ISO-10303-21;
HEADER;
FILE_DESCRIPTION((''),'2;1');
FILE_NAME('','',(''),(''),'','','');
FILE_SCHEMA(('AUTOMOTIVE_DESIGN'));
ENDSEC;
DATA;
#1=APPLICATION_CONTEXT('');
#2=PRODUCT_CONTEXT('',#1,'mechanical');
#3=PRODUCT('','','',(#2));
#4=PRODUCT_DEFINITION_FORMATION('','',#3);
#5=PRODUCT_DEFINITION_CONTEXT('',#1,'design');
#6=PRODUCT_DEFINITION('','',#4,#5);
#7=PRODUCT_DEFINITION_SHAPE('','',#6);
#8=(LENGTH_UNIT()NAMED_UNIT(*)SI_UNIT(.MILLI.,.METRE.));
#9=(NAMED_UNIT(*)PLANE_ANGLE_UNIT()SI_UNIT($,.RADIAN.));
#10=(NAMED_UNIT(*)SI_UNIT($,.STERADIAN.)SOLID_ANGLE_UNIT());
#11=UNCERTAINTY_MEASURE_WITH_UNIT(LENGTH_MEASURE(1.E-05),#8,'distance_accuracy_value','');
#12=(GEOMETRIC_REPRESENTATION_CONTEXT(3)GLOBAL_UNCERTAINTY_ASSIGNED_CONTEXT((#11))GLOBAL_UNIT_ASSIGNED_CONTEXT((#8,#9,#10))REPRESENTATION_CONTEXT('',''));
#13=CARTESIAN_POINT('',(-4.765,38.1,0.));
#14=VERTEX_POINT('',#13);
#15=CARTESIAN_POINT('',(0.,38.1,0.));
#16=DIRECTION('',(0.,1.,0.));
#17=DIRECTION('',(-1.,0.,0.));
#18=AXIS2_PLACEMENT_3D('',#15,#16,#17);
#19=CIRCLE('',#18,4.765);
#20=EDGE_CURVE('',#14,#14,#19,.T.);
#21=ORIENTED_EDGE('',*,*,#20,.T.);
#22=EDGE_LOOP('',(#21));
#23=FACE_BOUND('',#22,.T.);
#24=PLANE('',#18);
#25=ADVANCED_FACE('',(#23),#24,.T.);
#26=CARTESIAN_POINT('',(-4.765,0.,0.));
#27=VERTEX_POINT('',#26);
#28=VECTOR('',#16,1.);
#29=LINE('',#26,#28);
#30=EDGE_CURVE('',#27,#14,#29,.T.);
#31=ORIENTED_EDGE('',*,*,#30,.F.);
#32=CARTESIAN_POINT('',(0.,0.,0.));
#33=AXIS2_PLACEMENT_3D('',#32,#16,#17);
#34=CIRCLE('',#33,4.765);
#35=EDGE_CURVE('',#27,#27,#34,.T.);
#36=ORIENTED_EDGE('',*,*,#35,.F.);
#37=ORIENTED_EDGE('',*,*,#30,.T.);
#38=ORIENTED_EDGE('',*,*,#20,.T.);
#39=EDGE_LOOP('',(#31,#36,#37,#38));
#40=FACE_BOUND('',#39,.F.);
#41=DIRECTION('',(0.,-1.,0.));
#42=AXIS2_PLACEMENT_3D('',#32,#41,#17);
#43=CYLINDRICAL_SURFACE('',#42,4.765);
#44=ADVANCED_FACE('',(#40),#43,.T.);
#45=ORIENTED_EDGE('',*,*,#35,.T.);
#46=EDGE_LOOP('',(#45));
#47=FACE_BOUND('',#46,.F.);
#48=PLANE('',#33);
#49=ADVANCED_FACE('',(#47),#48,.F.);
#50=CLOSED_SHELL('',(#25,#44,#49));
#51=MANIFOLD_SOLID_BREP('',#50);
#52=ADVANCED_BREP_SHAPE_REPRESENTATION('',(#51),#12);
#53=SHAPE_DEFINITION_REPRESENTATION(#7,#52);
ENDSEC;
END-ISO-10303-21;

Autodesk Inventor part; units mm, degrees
ref_plane "YZ Plane" through (0, 0, 0) normal (1, 0, 0) x (0, 1, 0)
ref_plane "XZ Plane" through (0, 0, 0) normal (0, 1, 0) x (-1, 0, 0)
ref_plane "XY Plane" through (0, 0, 0) normal (0, 0, 1) x (1, 0, 0)
sketch "Esboço1" plane through (0, 0, 0) normal (0, 1, 0) x (-1, 0, 0)
  circle A0 centre (0, 0) radius 4.765
  dimension "d10" = 9.53
extrude "Extrusão1" add sketch "Esboço1" along normal blind 38.1
properties part number "Eixo5"
